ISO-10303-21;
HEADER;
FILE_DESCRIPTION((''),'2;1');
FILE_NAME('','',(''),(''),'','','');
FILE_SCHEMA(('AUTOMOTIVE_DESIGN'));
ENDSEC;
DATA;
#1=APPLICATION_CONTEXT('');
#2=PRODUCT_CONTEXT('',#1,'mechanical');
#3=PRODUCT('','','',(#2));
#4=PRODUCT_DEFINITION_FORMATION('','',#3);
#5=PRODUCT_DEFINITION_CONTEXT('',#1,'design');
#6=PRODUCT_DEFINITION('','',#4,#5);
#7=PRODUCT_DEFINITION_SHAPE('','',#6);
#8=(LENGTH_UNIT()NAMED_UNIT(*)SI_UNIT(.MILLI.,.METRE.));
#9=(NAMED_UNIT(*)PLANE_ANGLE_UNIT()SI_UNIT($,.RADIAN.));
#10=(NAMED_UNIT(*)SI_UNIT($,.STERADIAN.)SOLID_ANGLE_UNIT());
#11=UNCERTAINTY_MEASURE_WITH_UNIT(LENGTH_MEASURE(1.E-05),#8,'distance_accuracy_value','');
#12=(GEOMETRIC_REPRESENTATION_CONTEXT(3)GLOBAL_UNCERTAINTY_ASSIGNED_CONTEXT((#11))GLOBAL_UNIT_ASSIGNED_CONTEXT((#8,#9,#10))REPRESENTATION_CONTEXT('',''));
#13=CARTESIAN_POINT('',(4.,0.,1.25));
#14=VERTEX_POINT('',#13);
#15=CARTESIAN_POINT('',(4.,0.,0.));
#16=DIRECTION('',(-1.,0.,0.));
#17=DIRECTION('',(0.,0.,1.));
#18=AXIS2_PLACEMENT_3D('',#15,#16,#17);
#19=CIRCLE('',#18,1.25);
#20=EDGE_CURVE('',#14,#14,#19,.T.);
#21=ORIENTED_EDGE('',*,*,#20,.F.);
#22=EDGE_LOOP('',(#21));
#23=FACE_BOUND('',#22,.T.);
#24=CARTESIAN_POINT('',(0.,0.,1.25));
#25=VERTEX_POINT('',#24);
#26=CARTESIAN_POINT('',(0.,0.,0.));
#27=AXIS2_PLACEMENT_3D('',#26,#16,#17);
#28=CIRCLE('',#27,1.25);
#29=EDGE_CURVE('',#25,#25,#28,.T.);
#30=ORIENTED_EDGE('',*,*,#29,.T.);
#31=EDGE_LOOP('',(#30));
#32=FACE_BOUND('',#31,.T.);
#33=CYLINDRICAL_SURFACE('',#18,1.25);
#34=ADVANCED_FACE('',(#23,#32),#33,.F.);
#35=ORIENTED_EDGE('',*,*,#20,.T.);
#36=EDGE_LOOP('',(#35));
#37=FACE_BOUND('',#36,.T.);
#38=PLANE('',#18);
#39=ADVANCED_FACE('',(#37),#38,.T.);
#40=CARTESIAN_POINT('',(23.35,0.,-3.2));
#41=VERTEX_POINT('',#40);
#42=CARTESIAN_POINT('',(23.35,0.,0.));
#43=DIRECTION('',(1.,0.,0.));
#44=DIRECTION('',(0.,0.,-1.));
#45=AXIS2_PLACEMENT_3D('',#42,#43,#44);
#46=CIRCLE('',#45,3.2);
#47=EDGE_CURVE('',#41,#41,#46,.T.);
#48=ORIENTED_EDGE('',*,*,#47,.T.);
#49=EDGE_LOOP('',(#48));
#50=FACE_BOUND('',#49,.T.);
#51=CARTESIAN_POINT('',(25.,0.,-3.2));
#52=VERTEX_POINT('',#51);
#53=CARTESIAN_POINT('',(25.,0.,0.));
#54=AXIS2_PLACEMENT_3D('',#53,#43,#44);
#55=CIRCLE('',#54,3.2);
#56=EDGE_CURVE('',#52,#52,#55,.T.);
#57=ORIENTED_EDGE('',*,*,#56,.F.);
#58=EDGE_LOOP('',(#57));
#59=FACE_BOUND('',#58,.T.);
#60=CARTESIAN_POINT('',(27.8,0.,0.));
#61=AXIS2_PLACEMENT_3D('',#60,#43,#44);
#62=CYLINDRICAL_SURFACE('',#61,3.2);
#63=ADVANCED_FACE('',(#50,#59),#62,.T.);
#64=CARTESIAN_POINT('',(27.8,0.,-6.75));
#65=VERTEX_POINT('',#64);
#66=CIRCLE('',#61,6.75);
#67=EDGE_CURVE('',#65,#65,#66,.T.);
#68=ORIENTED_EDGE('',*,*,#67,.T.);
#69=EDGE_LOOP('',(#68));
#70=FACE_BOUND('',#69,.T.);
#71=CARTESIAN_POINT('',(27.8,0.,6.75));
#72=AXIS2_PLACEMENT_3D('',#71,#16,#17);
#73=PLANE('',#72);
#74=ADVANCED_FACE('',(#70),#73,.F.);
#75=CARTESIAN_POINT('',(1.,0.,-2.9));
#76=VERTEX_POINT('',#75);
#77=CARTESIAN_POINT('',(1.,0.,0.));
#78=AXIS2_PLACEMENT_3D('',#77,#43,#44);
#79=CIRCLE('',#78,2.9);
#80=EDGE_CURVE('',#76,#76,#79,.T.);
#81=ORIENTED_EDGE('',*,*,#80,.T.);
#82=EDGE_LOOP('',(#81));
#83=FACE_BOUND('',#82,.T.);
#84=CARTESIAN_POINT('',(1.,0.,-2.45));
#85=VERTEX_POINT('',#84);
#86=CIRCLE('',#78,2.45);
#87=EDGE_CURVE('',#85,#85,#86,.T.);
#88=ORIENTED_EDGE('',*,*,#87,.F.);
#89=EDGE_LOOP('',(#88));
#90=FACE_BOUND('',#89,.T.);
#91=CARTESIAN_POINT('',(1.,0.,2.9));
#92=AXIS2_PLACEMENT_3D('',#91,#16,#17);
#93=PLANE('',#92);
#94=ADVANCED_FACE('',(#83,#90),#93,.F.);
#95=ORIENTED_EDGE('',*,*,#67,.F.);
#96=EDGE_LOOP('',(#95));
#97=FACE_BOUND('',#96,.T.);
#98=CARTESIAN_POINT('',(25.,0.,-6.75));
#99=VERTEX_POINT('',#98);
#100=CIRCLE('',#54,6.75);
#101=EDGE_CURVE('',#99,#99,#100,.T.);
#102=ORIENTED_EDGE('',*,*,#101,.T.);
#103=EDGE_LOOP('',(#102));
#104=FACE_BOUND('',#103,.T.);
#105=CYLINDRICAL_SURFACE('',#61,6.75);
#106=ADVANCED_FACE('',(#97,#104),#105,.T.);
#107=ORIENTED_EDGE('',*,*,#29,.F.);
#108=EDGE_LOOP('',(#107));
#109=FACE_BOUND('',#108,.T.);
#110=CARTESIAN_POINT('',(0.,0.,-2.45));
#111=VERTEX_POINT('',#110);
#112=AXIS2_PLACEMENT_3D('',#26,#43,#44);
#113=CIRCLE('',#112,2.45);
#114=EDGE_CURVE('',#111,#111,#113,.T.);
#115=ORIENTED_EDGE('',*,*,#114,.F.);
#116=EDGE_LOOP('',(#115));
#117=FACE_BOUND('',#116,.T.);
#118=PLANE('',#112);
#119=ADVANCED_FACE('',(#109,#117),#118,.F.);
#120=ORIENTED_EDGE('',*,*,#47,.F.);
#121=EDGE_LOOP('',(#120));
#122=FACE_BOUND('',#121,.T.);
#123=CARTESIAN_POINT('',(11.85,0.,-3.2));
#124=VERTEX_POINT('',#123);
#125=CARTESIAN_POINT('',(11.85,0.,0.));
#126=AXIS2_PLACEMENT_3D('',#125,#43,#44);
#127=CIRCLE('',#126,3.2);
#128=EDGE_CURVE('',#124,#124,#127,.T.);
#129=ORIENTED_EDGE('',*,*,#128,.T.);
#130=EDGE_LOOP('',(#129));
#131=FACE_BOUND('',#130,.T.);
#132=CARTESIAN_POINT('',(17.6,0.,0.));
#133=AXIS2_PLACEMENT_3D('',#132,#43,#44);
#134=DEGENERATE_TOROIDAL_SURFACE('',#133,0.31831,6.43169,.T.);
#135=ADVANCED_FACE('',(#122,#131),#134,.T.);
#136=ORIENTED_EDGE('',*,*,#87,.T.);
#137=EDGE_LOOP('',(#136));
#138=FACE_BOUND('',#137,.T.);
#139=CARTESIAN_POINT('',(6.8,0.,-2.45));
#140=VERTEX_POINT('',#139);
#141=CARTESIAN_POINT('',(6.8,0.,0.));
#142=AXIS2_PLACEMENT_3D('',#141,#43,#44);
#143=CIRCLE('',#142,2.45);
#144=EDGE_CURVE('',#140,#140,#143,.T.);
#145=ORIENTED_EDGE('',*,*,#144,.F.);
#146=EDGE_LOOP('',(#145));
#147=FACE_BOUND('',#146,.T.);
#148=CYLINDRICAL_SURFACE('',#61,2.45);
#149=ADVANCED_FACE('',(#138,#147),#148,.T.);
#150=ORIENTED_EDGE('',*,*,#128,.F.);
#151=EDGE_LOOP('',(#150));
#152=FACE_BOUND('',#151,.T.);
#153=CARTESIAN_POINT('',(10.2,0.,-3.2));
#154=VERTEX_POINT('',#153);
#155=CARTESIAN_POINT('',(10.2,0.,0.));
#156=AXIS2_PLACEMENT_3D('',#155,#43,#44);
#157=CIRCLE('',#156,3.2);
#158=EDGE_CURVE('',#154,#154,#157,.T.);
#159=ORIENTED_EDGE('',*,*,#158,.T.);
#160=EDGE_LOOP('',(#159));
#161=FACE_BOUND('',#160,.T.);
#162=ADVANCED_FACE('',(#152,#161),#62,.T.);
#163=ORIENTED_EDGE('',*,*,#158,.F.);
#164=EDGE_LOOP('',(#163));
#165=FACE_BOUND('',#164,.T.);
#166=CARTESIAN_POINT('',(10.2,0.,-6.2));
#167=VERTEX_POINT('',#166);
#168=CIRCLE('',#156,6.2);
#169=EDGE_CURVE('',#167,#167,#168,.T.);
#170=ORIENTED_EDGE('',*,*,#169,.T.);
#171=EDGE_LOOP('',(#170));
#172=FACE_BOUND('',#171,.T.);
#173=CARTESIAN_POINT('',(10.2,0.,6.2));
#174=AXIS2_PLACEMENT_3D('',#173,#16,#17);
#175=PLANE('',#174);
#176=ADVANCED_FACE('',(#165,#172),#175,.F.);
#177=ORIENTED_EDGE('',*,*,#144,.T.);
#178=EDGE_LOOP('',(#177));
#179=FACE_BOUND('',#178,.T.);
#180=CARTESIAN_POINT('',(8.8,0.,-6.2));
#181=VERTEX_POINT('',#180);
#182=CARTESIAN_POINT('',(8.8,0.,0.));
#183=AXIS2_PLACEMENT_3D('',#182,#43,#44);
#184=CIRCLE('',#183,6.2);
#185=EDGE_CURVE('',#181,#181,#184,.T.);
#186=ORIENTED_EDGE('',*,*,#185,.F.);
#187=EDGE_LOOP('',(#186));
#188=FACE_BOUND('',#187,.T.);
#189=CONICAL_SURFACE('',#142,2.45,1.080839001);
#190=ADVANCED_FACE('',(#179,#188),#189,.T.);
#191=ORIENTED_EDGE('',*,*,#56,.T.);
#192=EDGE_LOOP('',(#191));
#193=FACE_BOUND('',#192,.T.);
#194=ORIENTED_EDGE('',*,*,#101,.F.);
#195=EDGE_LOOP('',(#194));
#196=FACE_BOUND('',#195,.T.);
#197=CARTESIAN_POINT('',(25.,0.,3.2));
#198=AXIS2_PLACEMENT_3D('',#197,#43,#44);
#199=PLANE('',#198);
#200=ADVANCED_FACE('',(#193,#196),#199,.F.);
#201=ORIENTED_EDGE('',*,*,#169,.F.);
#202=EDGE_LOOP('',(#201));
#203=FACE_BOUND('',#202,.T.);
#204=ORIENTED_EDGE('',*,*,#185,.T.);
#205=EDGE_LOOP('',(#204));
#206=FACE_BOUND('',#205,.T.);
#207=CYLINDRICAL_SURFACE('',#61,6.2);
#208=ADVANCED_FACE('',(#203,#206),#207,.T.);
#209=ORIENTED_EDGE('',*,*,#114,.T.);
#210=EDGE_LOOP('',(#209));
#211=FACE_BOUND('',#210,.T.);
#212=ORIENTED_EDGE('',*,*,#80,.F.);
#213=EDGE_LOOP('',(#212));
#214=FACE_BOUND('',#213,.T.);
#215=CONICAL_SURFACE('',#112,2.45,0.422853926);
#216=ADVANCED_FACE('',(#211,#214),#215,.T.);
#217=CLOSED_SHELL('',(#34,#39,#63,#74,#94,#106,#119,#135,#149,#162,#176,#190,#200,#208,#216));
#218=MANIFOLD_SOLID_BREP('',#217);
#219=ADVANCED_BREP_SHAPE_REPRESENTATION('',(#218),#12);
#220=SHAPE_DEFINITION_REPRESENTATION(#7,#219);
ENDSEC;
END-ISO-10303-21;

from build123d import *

# Parameters (mm, degrees)
IZIM6_R               = 1.25
KES_EKSTR_ZYON1_DEPTH = 4


with BuildPart() as part:
    # Çizim5 → Döndür1 (revolve)
    with BuildSketch(Plane(origin=(0, 0, 0), x_dir=(1, 0, 0), z_dir=(0, 1, 0)), mode=Mode.PRIVATE) as d_nd_r1_sk:
        with BuildLine():
            Line((0, 0), (0, -2.45))
            Line((0, -2.45), (1, -2.9))
            Line((1, -2.9), (1, -2.45))
            Line((1, -2.45), (6.8, -2.45))
            Line((6.8, -2.45), (8.8, -6.2))
            Line((8.8, -6.2), (10.2, -6.2))
            Line((10.2, -6.2), (10.2, -3.2))
            Line((10.2, -3.2), (11.85, -3.2))
            ThreePointArc((11.85, -3.2), (17.6, -6.75), (23.35, -3.2))
            Line((23.35, -3.2), (25, -3.2))
            Line((25, -3.2), (25, -6.75))
            Line((25, -6.75), (27.8, -6.75))
            Line((27.8, -6.75), (27.8, 0))
            Line((27.8, 0), (0, 0))
        make_face()
    revolve(d_nd_r1_sk.sketch.rotate(Axis((27.8, 0, 0), (-1, 0, 0)), 180), axis=Axis((27.8, 0, 0), (-1, 0, 0)))

    # Çizim6 → Kes-Ekstrüzyon1 (cut)
    with BuildSketch(Plane.ZY):
        Circle(IZIM6_R)
    extrude(amount=-KES_EKSTR_ZYON1_DEPTH, mode=Mode.SUBTRACT)


solid = part.part
